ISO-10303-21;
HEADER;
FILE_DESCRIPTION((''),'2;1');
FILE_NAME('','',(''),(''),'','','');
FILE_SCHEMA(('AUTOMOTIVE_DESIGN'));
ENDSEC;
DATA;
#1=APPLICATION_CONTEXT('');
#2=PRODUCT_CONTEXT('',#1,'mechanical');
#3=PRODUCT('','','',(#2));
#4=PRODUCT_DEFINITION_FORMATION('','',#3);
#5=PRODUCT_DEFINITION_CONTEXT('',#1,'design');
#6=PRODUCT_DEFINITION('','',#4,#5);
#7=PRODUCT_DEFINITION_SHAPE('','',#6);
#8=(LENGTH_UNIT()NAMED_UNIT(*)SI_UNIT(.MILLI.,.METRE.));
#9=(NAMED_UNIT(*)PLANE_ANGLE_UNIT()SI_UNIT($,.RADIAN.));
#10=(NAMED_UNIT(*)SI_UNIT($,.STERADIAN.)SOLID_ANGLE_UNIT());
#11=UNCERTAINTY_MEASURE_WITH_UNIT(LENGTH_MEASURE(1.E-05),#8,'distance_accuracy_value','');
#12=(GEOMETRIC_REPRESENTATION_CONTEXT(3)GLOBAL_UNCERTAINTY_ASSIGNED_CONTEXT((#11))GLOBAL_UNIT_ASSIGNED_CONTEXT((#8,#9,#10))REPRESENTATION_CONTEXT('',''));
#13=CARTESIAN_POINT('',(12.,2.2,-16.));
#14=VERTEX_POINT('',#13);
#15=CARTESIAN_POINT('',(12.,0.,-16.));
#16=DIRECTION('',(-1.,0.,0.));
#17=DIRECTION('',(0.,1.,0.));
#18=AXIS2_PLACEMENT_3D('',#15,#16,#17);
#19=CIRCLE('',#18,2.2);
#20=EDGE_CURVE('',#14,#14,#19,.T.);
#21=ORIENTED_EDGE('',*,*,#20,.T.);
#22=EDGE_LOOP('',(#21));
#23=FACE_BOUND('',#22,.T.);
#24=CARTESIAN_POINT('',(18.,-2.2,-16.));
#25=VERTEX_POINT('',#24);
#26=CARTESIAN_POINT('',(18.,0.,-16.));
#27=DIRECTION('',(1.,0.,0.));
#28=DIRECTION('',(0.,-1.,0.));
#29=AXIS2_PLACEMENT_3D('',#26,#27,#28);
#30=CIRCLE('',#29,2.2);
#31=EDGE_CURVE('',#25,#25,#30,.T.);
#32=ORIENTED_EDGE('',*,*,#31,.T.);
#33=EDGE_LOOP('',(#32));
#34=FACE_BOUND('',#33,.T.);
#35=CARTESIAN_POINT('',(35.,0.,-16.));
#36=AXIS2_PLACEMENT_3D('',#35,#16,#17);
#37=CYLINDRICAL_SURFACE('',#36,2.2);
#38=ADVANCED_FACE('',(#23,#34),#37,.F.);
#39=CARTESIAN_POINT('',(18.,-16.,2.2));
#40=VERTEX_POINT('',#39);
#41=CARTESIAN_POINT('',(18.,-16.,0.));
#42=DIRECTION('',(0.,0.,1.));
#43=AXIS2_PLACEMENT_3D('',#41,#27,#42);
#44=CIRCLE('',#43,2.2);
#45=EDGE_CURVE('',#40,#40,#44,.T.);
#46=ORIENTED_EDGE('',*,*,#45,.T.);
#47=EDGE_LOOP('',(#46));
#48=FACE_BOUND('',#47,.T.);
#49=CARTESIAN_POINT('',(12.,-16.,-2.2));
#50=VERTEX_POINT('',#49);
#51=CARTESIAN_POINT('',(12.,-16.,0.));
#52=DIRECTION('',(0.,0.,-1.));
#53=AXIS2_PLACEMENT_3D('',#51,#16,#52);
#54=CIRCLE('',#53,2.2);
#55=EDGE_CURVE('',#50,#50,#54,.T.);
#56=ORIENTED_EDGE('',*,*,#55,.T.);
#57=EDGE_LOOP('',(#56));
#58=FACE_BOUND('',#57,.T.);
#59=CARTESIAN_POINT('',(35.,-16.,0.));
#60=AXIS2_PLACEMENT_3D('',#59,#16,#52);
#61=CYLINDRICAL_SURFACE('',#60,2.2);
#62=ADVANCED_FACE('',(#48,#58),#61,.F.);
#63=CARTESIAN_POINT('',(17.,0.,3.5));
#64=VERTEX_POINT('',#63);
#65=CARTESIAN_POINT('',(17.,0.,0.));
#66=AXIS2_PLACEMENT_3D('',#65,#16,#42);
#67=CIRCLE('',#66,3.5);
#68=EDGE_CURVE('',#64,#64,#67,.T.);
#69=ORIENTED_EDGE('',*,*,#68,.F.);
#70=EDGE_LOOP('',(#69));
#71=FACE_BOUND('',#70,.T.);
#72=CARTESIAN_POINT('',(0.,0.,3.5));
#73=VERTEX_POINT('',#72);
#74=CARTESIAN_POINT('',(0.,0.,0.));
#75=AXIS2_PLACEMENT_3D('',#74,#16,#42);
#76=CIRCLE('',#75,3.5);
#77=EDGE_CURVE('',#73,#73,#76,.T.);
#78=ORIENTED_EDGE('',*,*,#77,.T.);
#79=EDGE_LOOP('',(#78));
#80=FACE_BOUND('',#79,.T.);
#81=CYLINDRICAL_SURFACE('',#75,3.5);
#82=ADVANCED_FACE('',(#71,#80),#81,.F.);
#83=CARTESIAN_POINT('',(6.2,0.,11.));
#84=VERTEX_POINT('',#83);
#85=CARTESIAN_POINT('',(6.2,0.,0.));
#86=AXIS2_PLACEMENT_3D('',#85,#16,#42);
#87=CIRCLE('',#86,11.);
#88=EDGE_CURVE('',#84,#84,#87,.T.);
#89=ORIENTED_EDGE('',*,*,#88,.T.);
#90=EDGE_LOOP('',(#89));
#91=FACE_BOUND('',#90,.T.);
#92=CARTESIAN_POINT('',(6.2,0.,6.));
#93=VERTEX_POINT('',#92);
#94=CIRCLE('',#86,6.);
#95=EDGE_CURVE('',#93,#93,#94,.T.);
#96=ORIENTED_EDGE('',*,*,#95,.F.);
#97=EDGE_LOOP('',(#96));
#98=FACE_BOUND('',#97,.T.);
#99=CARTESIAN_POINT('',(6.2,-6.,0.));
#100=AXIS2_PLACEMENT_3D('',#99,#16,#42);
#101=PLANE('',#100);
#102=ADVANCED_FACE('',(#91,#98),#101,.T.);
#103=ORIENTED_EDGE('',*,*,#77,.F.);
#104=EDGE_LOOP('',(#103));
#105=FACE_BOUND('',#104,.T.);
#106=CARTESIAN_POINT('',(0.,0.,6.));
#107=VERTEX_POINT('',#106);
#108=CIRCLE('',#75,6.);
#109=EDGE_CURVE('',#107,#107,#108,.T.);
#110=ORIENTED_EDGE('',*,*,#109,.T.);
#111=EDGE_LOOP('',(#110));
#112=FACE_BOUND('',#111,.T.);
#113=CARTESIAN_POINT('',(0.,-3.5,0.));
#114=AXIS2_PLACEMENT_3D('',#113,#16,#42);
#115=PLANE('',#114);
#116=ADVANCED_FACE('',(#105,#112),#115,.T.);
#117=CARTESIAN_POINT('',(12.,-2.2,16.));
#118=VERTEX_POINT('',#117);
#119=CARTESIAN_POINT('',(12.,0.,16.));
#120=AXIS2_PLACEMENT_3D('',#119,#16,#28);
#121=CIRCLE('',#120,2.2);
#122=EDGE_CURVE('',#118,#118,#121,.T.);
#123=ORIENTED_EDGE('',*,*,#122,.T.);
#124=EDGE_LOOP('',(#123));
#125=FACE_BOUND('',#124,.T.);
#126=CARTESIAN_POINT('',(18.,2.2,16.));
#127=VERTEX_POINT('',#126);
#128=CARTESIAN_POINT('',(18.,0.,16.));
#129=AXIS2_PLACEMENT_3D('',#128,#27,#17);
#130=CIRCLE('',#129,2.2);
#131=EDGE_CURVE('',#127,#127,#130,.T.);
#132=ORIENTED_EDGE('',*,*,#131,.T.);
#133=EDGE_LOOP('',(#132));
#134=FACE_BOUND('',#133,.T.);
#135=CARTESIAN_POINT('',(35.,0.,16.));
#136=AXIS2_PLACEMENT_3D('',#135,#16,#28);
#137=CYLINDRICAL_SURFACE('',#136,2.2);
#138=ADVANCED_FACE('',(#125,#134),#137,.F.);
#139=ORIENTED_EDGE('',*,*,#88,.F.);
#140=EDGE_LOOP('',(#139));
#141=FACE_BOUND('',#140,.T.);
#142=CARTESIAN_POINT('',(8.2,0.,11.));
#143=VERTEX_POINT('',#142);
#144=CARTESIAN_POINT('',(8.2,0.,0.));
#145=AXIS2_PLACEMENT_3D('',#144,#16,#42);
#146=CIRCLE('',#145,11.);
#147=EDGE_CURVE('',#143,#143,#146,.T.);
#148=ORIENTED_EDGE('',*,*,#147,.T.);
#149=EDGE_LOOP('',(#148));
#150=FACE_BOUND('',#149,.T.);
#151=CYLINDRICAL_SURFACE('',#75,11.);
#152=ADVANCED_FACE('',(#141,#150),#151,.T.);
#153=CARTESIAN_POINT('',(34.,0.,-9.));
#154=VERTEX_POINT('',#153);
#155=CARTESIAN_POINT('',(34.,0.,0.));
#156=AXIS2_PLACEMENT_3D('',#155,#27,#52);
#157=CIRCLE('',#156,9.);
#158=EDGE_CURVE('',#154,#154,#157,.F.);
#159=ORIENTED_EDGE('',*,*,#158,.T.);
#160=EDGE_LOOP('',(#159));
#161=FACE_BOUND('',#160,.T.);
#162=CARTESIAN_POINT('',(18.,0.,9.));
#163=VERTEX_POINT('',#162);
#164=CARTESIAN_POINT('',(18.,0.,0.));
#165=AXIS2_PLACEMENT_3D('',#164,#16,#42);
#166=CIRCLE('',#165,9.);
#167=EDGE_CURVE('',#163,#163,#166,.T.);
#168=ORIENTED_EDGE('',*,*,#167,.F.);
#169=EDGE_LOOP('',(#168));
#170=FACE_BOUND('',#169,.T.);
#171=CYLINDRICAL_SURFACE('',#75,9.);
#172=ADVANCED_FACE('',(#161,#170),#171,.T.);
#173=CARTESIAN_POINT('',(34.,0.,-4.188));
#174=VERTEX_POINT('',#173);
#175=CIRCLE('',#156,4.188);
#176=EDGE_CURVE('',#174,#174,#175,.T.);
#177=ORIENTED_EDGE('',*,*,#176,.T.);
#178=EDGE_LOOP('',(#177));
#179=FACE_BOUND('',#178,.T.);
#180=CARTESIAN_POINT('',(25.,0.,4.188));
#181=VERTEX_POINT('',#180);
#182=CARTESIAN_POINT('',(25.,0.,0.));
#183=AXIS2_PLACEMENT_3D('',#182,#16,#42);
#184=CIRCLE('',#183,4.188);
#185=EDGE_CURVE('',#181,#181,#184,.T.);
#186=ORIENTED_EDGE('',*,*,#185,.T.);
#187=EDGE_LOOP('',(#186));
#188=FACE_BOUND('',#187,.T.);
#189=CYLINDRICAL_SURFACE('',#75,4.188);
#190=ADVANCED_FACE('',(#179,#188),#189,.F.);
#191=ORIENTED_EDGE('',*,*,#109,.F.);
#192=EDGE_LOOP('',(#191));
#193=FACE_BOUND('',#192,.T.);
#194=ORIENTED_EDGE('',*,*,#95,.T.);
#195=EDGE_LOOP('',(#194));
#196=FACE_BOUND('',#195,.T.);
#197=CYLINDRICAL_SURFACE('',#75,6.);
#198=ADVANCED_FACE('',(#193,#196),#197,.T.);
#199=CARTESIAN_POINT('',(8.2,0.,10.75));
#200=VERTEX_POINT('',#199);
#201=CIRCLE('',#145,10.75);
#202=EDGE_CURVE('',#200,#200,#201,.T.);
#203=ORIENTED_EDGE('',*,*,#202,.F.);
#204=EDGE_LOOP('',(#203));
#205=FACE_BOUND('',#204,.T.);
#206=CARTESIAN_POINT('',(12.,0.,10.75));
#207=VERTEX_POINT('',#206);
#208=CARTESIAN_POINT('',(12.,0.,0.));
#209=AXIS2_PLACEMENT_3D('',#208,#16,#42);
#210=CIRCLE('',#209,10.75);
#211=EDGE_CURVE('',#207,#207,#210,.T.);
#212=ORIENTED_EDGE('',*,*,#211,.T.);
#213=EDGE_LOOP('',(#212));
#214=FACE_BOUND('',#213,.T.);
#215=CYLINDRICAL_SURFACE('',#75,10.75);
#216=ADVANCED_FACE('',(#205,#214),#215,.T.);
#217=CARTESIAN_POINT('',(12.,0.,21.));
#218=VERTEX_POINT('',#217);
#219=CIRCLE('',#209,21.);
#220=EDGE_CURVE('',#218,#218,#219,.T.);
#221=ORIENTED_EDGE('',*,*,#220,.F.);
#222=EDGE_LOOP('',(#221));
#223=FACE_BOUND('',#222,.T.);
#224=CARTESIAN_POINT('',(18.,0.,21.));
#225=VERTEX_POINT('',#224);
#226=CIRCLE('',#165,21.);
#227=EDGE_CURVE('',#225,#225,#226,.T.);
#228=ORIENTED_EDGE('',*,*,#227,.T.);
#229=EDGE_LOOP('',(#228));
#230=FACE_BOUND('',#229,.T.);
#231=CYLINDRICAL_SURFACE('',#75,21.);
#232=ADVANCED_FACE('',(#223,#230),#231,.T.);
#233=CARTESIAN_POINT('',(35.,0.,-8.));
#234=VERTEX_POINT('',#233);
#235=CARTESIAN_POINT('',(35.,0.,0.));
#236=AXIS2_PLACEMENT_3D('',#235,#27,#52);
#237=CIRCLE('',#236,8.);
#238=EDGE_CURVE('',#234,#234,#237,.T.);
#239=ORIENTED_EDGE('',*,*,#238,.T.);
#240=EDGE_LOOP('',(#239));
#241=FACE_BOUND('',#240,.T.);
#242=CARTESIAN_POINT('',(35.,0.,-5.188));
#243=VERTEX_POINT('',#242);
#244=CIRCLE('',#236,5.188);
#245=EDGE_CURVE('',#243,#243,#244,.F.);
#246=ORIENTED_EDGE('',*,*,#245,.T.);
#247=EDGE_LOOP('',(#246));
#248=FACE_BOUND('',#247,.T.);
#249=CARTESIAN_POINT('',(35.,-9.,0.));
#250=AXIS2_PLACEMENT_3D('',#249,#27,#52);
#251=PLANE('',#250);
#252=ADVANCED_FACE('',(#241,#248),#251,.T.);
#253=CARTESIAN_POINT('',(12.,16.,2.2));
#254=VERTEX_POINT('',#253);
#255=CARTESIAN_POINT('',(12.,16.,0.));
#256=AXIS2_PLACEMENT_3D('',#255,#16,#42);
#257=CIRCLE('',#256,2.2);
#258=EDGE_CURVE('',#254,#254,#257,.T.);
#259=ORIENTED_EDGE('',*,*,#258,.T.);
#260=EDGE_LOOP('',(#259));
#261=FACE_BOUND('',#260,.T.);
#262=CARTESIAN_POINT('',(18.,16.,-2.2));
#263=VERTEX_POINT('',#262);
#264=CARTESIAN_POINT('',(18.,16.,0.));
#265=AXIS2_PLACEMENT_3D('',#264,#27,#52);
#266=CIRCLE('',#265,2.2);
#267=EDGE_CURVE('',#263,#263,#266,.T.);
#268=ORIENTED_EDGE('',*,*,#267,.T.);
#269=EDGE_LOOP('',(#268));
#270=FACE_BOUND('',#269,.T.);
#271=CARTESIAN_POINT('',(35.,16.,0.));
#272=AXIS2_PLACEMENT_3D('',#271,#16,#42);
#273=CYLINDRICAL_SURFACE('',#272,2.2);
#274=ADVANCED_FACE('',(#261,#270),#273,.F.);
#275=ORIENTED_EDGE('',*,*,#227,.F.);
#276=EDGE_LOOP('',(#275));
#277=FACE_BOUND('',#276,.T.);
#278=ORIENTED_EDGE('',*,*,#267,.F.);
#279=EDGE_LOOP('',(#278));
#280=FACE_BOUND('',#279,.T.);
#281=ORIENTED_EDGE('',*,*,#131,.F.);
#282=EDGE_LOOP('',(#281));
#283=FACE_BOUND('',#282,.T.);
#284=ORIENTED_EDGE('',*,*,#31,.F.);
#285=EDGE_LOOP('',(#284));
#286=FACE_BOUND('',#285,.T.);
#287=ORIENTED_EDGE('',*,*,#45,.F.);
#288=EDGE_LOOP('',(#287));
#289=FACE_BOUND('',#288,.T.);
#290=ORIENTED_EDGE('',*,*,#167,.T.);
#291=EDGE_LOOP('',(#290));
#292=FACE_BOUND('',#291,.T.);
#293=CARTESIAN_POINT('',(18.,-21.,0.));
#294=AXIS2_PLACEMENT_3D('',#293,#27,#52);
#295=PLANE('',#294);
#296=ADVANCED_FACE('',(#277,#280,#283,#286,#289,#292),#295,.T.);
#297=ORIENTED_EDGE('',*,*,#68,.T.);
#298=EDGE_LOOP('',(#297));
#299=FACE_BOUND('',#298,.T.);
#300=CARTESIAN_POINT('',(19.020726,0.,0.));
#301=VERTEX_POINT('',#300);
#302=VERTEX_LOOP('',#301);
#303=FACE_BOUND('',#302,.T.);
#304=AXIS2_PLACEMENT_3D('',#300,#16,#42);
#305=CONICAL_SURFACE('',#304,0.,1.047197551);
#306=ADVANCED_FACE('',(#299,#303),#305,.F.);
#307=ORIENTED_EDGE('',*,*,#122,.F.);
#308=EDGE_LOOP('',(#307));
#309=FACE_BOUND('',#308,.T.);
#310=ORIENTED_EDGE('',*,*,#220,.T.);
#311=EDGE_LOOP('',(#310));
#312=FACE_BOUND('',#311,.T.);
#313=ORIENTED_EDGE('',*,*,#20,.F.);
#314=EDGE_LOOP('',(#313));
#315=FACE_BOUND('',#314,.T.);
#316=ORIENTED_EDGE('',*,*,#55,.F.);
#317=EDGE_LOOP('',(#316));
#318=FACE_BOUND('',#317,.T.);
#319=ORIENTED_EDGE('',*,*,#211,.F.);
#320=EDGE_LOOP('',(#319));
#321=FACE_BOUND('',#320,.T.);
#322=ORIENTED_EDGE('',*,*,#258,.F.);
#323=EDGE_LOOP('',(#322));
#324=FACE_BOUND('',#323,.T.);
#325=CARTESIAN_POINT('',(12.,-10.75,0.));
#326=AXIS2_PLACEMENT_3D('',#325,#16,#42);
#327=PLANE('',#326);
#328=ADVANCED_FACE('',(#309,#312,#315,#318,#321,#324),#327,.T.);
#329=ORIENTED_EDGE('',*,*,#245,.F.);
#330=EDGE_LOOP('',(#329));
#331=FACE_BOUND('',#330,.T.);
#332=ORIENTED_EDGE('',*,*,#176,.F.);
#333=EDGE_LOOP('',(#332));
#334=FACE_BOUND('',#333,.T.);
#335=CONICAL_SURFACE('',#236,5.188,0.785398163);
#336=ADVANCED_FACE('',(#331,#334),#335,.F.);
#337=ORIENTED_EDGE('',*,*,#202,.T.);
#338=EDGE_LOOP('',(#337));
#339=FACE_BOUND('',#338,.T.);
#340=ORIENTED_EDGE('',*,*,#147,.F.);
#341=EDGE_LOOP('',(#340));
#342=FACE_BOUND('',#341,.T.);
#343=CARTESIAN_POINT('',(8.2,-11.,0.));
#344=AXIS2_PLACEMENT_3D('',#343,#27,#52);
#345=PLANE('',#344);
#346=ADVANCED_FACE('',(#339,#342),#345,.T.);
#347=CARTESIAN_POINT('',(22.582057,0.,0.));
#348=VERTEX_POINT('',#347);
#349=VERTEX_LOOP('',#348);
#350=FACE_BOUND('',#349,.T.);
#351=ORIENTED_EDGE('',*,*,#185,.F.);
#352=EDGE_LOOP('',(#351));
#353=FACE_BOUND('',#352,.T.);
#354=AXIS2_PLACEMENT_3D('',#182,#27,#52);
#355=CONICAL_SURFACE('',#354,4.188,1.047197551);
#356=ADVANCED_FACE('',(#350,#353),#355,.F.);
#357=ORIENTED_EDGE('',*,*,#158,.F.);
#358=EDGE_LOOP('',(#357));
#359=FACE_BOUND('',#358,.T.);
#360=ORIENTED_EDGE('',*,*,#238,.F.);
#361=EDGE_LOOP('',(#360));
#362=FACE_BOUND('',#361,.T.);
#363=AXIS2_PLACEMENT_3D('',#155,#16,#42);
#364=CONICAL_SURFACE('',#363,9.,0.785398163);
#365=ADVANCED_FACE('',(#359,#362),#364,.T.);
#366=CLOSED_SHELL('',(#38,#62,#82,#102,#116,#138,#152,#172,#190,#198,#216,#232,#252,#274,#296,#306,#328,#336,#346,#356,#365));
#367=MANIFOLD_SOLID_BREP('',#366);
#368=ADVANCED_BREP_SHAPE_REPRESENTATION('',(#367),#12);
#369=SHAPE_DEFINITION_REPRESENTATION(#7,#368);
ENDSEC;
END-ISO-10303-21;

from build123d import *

# Parameters (mm, degrees)
CHAMFER_1_SIZE           = 1
SKETCH_2_R               = 2.2
CUT_EXTRUDE_1_DEPTH      = 38.563279942
PATTERN_CIRCULAR_1_COUNT = 4


with BuildPart() as part:
    # Эскиз1 → Повернуть1 (revolve)
    with BuildSketch(Plane.XY, mode=Mode.PRIVATE) as revolve_1_sk:
        Polygon((0, -3.5), (0, -6), (6.2, -6), (6.2, -11), (8.2, -11), (8.2, -10.75), (12, -10.75), (12, -21), (18, -21), (18, -9), (35, -9), (35, -4.188), (25, -4.188), (22.582057073, 0), (19.020725942, 0), (17, -3.5), align=None)
    revolve(revolve_1_sk.sketch.rotate(Axis((0, 0, 0), (1, 0, 0)), 270), axis=Axis((0, 0, 0), (1, 0, 0)))

    # Фаска1
    chamfer_1_edges = [part.edges().sort_by_distance(p)[0] for p in [
        (35, 0, -4.188),
        (35, 0, -9),
    ]]
    chamfer(chamfer_1_edges, length=CHAMFER_1_SIZE)

    # Эскиз2 → Вырез-Вытянуть1 (cut, through all)
    with BuildSketch(Plane.ZY.offset(-12)):
        with Locations((0, 16)):
            Circle(SKETCH_2_R)
    cut_extrude_1 = extrude(amount=-CUT_EXTRUDE_1_DEPTH, mode=Mode.SUBTRACT)

    # Круговой массив1: Вырез-Вытянуть1 ×4 about axis
    pattern_circular_1_axis = Axis((0, 0, 0), (1, 0, 0))
    for i in range(1, PATTERN_CIRCULAR_1_COUNT):
        add(cut_extrude_1.rotate(pattern_circular_1_axis, i * 360 / PATTERN_CIRCULAR_1_COUNT), mode=Mode.SUBTRACT)


solid = part.part
